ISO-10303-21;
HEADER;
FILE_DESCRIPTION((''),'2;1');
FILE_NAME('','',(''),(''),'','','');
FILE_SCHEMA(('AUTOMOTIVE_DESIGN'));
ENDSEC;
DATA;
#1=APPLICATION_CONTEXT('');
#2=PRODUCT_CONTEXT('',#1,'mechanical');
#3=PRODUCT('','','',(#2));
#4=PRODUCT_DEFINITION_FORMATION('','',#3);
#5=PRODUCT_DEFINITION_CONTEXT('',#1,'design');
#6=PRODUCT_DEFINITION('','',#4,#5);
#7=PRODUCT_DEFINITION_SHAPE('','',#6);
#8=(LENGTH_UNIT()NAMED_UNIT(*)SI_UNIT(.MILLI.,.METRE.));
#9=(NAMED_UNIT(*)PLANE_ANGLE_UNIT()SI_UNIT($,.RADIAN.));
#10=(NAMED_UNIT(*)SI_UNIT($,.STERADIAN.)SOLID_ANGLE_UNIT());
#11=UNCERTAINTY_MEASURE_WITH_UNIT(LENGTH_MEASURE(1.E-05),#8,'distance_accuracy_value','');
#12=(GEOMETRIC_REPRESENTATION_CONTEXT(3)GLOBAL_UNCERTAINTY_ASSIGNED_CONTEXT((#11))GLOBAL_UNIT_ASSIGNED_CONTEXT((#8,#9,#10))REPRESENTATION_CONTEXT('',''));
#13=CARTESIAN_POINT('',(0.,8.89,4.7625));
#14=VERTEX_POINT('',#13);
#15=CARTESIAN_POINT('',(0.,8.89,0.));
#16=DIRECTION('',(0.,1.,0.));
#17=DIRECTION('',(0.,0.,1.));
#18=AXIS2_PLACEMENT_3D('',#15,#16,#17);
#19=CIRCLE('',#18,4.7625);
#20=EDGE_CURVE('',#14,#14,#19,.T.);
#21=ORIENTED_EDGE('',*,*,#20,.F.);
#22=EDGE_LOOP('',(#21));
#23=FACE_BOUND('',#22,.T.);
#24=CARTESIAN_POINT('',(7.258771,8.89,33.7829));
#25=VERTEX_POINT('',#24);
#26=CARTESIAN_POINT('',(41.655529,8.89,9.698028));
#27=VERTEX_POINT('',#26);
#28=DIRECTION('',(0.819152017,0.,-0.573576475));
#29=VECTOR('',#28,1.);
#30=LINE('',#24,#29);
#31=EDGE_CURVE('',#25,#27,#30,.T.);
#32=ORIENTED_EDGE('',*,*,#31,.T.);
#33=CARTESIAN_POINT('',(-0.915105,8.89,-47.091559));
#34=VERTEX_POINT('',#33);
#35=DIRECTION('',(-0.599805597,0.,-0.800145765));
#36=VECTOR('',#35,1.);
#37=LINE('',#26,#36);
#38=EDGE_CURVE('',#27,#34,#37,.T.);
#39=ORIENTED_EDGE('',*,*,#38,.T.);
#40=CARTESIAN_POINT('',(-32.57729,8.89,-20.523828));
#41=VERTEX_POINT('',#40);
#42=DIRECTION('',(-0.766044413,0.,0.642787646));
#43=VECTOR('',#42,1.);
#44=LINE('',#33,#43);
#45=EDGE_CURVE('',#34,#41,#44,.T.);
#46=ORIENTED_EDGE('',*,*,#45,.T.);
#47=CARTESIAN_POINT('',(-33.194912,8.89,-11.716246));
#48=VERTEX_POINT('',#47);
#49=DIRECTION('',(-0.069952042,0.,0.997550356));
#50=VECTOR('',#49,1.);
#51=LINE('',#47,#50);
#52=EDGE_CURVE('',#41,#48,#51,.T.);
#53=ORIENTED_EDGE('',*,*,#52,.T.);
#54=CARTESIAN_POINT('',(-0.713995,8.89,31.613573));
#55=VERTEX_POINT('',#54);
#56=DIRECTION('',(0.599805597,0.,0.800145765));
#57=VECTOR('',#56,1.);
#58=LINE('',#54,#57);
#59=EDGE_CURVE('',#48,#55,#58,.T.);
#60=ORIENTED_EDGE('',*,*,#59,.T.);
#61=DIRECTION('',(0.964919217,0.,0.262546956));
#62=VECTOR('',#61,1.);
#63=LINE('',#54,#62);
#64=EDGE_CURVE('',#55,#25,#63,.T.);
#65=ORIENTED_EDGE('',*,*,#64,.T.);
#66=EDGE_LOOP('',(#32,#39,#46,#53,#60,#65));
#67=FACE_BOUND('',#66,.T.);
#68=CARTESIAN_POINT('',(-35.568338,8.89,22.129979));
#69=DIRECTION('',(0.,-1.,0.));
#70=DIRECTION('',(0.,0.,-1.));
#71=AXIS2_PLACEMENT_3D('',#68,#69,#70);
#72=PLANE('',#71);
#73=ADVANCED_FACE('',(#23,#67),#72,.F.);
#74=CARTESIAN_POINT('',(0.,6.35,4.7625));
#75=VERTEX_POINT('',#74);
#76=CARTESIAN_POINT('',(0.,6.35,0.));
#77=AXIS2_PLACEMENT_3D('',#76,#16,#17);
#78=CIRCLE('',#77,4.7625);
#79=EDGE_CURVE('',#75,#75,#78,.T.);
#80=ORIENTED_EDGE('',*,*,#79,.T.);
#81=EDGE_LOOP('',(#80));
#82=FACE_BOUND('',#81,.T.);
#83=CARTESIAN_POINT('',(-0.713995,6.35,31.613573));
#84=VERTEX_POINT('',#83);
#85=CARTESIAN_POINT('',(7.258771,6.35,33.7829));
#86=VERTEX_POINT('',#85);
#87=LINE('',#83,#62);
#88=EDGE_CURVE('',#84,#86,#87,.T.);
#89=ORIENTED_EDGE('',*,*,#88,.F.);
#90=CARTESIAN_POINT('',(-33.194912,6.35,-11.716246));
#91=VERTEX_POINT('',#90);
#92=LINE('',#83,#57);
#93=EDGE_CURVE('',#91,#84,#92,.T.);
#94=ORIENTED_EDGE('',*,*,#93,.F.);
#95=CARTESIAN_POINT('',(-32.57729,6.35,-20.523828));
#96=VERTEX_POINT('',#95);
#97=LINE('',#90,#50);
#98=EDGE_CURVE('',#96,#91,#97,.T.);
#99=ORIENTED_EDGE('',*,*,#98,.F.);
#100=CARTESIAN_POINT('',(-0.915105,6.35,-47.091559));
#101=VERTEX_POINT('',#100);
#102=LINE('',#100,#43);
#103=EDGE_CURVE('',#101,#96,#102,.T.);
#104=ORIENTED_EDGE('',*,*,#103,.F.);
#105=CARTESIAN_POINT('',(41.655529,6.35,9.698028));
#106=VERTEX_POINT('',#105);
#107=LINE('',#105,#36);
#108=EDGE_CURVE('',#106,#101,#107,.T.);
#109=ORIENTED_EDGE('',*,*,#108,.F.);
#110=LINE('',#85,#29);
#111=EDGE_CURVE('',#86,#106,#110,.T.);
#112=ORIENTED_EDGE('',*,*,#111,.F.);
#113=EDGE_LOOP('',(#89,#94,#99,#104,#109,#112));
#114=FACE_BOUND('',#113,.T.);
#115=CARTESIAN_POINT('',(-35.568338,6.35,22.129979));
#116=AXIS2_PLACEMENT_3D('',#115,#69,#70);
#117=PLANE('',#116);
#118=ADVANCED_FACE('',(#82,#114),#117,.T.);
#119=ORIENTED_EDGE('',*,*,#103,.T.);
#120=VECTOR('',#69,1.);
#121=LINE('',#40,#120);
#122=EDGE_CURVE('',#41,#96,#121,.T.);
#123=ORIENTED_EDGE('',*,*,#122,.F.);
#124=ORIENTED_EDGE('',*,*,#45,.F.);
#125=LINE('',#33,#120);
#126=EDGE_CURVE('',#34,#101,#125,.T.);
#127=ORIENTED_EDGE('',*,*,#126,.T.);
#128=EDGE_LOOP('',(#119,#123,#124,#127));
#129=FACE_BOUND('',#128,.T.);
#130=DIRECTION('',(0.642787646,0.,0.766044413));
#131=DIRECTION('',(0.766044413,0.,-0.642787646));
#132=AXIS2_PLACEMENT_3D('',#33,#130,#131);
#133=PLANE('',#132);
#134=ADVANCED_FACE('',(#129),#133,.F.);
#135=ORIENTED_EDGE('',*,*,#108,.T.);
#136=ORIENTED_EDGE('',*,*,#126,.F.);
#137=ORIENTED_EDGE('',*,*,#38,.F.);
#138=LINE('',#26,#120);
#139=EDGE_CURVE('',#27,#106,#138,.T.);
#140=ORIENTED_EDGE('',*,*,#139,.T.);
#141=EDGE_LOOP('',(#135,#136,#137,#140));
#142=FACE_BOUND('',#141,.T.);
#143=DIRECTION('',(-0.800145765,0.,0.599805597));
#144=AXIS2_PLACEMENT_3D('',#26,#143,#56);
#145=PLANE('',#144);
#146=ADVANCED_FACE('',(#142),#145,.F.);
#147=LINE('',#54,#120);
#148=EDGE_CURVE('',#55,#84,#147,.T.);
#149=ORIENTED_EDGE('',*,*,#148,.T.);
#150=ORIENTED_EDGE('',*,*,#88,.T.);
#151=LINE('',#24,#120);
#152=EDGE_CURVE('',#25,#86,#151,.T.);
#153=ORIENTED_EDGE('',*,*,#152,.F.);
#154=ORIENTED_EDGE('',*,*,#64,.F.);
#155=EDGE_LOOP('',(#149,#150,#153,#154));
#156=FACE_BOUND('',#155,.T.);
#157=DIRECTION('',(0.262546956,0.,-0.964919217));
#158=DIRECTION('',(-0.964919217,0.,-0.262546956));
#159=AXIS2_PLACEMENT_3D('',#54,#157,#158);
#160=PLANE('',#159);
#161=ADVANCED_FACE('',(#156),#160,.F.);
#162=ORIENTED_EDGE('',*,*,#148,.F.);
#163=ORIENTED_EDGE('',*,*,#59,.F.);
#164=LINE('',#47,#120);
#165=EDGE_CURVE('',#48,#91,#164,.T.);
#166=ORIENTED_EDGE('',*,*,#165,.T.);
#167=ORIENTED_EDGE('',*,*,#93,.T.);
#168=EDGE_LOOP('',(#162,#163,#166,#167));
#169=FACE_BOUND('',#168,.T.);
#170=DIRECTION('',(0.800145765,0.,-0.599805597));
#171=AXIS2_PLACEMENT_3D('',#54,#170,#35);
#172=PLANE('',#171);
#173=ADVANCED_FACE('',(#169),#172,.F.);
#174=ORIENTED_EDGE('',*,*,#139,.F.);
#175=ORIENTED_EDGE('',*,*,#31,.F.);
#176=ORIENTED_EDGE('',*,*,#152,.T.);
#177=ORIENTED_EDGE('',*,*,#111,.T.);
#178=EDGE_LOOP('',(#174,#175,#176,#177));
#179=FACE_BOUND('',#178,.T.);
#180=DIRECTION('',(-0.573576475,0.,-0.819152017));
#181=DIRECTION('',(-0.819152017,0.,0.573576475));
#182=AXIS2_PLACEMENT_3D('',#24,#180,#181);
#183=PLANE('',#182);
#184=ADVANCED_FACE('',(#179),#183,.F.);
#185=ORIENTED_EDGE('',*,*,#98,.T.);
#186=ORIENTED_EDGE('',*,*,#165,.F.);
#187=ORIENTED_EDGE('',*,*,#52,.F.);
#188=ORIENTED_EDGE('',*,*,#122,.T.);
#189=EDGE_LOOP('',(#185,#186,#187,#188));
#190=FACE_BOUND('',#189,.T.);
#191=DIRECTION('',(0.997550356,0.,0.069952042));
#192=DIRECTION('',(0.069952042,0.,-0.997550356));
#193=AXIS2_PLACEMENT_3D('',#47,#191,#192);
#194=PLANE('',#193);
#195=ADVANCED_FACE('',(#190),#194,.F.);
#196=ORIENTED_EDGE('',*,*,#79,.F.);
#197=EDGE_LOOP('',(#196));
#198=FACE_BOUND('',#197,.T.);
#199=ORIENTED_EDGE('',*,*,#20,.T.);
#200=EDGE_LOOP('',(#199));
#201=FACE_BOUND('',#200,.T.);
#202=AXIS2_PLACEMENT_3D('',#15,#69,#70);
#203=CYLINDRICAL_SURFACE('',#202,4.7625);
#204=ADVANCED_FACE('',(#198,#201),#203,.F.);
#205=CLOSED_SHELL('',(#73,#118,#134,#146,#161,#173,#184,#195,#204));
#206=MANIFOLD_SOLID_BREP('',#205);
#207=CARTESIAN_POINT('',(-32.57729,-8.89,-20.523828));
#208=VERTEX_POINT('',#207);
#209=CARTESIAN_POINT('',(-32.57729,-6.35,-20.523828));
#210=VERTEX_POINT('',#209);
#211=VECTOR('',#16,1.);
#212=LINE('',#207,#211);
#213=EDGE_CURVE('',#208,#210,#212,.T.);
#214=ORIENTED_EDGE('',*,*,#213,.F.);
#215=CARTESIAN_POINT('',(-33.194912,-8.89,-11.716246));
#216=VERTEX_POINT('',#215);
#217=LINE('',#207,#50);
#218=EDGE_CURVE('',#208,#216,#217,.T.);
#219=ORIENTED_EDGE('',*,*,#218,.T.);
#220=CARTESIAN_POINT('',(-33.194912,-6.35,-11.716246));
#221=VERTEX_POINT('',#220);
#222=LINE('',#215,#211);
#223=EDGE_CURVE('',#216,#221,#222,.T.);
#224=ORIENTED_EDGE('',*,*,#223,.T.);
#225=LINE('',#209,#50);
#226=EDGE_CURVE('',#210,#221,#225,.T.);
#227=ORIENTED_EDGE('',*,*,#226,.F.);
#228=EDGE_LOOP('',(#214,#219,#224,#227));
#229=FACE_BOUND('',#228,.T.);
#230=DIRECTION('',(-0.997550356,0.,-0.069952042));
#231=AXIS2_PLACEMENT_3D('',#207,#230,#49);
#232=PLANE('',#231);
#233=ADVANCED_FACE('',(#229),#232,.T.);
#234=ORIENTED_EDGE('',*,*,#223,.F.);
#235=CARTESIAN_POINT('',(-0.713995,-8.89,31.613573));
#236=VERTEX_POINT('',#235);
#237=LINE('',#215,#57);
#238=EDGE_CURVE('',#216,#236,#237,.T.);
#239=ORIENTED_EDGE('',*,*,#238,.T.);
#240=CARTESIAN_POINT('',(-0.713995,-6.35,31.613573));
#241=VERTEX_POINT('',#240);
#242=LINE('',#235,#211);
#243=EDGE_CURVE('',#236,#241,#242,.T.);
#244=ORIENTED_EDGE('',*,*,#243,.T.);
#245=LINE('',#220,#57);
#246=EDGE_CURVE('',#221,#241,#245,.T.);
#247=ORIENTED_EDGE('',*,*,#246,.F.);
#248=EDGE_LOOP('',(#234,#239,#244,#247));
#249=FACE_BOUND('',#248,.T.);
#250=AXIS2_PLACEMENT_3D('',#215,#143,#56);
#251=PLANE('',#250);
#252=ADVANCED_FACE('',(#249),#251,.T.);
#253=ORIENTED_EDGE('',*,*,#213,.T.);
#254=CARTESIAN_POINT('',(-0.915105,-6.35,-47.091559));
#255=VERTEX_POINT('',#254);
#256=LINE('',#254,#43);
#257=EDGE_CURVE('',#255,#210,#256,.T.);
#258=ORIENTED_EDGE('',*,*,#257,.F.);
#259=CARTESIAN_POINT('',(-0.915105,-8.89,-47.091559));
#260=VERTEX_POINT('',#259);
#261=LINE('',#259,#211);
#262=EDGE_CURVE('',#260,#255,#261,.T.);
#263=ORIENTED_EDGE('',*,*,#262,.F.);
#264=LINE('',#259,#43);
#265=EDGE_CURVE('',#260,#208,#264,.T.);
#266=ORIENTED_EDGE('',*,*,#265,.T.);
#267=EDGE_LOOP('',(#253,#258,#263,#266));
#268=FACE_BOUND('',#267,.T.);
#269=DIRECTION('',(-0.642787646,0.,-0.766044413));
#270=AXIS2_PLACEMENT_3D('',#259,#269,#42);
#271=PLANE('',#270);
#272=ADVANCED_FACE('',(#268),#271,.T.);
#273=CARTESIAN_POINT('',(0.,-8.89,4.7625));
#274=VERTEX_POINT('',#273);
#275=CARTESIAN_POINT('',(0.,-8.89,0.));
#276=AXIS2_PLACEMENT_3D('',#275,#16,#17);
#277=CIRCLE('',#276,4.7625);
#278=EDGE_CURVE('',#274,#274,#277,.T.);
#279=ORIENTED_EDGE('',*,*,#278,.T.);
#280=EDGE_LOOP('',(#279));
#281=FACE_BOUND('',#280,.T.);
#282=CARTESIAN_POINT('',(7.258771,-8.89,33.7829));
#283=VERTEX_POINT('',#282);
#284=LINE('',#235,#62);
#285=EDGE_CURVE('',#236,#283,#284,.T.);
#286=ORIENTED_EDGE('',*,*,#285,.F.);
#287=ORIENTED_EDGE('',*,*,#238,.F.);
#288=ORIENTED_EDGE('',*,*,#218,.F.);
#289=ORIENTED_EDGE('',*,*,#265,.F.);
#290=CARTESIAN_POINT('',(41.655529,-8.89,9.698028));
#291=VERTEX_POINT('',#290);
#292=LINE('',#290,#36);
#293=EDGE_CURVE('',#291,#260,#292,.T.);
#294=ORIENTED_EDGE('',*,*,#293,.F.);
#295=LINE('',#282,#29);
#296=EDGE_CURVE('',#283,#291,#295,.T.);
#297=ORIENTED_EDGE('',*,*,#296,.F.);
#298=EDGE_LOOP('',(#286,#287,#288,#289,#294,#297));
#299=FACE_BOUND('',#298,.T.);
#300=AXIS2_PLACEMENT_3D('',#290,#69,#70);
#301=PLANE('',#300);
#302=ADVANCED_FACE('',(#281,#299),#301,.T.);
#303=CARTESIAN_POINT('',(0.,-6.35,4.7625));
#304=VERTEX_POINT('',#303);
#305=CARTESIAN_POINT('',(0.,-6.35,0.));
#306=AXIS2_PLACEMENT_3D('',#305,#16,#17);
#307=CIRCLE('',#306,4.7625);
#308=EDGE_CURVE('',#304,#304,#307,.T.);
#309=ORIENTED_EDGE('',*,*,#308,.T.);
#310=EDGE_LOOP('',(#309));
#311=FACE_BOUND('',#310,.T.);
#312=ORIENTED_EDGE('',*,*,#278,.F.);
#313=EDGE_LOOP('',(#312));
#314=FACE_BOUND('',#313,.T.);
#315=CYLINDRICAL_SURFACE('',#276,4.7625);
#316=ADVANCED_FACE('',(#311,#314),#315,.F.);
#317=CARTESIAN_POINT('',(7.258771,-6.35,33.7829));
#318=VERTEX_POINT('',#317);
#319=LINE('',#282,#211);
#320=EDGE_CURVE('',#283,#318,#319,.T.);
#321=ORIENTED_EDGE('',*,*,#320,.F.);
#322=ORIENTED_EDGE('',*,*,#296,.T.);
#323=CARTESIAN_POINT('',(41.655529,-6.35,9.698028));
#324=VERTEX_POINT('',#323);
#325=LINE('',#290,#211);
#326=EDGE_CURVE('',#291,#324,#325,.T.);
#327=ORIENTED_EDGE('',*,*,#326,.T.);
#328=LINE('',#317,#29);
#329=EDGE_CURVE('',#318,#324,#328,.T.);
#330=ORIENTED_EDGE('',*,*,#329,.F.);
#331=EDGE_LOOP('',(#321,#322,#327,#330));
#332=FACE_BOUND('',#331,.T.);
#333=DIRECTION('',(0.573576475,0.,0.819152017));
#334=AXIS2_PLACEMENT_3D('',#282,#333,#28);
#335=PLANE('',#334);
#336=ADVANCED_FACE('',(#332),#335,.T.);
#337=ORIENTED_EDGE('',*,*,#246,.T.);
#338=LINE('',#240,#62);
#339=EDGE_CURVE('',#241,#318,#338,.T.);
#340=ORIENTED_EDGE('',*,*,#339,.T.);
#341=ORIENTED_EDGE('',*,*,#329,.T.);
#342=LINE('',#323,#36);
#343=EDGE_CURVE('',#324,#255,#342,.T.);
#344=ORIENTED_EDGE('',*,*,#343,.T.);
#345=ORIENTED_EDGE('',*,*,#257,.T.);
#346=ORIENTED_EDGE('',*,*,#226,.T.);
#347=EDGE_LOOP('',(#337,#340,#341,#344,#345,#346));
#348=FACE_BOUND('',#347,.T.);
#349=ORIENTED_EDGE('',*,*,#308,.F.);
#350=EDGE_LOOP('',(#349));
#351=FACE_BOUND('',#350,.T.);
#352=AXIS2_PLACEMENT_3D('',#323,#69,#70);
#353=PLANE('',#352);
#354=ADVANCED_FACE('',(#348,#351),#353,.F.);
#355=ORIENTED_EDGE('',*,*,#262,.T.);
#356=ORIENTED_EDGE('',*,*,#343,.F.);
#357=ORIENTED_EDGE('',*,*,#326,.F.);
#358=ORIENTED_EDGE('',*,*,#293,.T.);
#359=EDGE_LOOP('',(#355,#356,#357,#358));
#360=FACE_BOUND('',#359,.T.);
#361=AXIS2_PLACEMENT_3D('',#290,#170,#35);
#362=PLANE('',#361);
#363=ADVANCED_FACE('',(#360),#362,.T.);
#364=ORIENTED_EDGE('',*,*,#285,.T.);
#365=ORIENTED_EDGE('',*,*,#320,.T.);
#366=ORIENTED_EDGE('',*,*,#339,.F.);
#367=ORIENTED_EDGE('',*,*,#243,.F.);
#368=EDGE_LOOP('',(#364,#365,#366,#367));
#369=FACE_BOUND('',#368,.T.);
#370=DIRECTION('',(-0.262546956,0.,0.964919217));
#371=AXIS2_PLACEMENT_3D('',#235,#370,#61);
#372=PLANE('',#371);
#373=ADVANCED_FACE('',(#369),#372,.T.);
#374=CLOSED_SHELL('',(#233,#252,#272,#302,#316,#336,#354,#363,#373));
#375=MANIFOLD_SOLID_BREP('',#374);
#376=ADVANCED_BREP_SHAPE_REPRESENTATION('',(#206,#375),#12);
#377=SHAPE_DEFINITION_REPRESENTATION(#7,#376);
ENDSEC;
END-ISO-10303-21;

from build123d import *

# Parameters (mm, degrees)
SKETCH2_R           = 4.7625
BOSS_EXTRUDE1_DEPTH = 2.54
SKETCH3_R           = 4.7625
BOSS_EXTRUDE2_DEPTH = 2.54


with BuildPart() as part:
    # Sketch2 → Boss-Extrude1 (new body)
    with BuildSketch(Plane(origin=(0, 6.35, 0), x_dir=(-1, 0, 0), z_dir=(0, 1, 0))):
        Polygon((-41.655528976, 9.698028228), (0.915104633, -47.091558912), (32.577290188, -20.52382815), (33.194911519, -11.716245654), (0.713995358, 31.613572635), (-7.258770993, 33.782899871), align=None)
        with Locations(Location((0, 0, 0), (0, 0, 90))):
            Circle(SKETCH2_R, mode=Mode.SUBTRACT)
    extrude(amount=BOSS_EXTRUDE1_DEPTH)


with BuildPart() as body_2:
    # Sketch3 → Boss-Extrude2 (new body)
    with BuildSketch(Plane(origin=(0, -6.35, 0), x_dir=(-1, 0, 0), z_dir=(0, 1, 0))):
        Polygon((-7.258770993, 33.782899871), (-41.655528976, 9.698028228), (0.915104633, -47.091558912), (32.577290188, -20.52382815), (33.194911519, -11.716245654), (0.713995358, 31.613572635), align=None)
        with Locations(Location((0, 0, 0), (0, 0, 90))):
            Circle(SKETCH3_R, mode=Mode.SUBTRACT)
    extrude(amount=-BOSS_EXTRUDE2_DEPTH)


solid = Compound([part.part, body_2.part])
